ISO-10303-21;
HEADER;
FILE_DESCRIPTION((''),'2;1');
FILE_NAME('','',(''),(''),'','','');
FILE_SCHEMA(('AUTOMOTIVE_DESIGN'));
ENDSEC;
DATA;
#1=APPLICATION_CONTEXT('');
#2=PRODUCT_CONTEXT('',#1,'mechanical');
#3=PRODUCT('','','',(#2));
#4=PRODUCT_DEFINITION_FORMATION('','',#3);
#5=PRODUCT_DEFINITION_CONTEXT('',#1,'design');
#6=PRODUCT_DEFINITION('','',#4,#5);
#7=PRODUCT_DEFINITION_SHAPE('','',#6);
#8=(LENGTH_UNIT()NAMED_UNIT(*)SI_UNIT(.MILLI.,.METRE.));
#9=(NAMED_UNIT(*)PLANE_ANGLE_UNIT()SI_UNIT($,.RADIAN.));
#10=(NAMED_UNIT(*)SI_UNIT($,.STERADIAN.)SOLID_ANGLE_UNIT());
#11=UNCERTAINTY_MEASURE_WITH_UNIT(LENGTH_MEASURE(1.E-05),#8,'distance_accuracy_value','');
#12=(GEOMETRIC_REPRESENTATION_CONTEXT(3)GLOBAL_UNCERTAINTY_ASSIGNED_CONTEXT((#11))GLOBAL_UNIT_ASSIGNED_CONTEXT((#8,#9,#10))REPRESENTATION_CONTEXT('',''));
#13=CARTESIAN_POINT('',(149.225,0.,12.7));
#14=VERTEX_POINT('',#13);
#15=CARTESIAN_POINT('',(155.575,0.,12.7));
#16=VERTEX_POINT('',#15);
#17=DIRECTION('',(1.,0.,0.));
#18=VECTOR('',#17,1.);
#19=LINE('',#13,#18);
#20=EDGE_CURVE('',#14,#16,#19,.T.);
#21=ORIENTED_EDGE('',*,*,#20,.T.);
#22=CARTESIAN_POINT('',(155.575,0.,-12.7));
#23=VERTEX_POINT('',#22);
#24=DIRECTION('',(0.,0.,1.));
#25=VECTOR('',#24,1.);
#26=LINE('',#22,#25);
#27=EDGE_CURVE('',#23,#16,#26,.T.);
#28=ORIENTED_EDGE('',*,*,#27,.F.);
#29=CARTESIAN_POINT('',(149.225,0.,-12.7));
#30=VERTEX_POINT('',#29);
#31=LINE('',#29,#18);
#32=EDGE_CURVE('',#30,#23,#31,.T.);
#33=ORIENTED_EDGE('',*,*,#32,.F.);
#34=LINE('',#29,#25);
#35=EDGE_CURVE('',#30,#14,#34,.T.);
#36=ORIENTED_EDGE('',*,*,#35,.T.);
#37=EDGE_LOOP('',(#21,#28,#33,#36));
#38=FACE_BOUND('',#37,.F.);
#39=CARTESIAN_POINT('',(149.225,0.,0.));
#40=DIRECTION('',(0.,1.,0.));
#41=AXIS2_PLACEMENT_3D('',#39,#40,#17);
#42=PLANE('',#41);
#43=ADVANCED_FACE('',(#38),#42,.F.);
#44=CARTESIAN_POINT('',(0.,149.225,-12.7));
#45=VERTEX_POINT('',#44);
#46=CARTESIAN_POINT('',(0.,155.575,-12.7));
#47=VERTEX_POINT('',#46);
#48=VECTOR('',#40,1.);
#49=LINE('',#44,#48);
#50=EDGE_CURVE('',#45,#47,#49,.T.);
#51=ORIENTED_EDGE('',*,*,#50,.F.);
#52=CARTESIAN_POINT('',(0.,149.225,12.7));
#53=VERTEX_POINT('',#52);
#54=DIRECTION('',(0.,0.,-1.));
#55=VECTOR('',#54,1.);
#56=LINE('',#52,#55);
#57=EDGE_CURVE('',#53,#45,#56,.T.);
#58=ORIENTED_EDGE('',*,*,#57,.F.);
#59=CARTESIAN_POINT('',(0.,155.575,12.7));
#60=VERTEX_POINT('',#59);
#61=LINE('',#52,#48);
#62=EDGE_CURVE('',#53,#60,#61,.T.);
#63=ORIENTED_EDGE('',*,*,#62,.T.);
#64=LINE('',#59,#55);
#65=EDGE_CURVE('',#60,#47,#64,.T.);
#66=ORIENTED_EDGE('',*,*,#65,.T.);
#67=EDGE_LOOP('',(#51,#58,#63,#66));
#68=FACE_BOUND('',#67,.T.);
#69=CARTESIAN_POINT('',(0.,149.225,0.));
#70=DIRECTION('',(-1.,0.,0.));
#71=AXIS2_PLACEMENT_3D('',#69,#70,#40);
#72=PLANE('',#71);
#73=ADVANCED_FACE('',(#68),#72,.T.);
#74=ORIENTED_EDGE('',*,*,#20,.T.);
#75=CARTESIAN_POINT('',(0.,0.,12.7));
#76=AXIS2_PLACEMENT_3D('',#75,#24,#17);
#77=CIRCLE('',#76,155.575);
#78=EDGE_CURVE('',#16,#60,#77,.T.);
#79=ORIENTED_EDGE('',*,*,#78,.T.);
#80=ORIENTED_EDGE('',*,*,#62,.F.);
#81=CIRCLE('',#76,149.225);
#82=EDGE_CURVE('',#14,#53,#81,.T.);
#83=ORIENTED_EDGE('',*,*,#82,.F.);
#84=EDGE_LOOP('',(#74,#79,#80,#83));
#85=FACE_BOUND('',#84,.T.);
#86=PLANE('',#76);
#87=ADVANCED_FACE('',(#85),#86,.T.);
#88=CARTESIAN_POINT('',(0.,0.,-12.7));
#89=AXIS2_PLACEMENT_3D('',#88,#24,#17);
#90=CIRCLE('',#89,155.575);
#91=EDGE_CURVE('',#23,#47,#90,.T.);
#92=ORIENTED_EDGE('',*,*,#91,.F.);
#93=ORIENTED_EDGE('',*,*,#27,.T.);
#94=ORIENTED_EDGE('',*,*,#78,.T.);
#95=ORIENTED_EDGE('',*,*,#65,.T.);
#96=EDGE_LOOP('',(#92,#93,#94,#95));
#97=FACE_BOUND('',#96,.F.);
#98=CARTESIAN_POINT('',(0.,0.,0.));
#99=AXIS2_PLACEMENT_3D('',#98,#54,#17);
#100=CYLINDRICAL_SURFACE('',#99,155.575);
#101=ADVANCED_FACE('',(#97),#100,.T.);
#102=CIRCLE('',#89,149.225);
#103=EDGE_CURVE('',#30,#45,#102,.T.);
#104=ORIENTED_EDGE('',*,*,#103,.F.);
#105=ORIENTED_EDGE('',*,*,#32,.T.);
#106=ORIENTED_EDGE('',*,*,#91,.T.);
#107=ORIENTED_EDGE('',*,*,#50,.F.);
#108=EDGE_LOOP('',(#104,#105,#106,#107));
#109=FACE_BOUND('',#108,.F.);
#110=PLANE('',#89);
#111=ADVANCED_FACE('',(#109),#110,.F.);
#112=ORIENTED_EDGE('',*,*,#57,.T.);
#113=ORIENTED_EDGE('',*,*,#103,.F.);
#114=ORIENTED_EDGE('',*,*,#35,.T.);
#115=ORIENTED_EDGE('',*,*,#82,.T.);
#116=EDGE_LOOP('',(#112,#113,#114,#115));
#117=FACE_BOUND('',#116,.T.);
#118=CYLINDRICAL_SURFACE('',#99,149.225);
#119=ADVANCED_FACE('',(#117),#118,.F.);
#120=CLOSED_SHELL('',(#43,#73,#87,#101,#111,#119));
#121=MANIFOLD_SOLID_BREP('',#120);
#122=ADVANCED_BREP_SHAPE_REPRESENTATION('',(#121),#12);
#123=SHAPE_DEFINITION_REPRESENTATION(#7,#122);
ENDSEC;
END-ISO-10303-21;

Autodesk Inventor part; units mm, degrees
ref_plane "YZ Plane" through (0, 0, 0) normal (1, 0, 0) x (0, 1, 0)
ref_plane "XZ Plane" through (0, 0, 0) normal (0, 1, 0) x (-1, 0, 0)
ref_plane "XY Plane" through (0, 0, 0) normal (0, 0, 1) x (1, 0, 0)
sketch "Sketch1" plane through (0, 0, 0) normal (0, 0, 1) x (1, 0, 0)
  arc A0 (149.225, 0) -> (0, 149.225) centre (0, 0) ccw
  arc A1 (155.575, 0) -> (0, 155.575) centre (0, 0) ccw
  line L0 (0, 149.225) -> (0, 155.575)
  line L1 (149.225, 0) -> (155.575, 0)
  dimension "d0" = 298.45
  dimension "d1" = 311.15
extrude "Extrusion1" add sketch "Sketch1" along normal mid plane 25.4
properties part number "printTest90degeePortion"
